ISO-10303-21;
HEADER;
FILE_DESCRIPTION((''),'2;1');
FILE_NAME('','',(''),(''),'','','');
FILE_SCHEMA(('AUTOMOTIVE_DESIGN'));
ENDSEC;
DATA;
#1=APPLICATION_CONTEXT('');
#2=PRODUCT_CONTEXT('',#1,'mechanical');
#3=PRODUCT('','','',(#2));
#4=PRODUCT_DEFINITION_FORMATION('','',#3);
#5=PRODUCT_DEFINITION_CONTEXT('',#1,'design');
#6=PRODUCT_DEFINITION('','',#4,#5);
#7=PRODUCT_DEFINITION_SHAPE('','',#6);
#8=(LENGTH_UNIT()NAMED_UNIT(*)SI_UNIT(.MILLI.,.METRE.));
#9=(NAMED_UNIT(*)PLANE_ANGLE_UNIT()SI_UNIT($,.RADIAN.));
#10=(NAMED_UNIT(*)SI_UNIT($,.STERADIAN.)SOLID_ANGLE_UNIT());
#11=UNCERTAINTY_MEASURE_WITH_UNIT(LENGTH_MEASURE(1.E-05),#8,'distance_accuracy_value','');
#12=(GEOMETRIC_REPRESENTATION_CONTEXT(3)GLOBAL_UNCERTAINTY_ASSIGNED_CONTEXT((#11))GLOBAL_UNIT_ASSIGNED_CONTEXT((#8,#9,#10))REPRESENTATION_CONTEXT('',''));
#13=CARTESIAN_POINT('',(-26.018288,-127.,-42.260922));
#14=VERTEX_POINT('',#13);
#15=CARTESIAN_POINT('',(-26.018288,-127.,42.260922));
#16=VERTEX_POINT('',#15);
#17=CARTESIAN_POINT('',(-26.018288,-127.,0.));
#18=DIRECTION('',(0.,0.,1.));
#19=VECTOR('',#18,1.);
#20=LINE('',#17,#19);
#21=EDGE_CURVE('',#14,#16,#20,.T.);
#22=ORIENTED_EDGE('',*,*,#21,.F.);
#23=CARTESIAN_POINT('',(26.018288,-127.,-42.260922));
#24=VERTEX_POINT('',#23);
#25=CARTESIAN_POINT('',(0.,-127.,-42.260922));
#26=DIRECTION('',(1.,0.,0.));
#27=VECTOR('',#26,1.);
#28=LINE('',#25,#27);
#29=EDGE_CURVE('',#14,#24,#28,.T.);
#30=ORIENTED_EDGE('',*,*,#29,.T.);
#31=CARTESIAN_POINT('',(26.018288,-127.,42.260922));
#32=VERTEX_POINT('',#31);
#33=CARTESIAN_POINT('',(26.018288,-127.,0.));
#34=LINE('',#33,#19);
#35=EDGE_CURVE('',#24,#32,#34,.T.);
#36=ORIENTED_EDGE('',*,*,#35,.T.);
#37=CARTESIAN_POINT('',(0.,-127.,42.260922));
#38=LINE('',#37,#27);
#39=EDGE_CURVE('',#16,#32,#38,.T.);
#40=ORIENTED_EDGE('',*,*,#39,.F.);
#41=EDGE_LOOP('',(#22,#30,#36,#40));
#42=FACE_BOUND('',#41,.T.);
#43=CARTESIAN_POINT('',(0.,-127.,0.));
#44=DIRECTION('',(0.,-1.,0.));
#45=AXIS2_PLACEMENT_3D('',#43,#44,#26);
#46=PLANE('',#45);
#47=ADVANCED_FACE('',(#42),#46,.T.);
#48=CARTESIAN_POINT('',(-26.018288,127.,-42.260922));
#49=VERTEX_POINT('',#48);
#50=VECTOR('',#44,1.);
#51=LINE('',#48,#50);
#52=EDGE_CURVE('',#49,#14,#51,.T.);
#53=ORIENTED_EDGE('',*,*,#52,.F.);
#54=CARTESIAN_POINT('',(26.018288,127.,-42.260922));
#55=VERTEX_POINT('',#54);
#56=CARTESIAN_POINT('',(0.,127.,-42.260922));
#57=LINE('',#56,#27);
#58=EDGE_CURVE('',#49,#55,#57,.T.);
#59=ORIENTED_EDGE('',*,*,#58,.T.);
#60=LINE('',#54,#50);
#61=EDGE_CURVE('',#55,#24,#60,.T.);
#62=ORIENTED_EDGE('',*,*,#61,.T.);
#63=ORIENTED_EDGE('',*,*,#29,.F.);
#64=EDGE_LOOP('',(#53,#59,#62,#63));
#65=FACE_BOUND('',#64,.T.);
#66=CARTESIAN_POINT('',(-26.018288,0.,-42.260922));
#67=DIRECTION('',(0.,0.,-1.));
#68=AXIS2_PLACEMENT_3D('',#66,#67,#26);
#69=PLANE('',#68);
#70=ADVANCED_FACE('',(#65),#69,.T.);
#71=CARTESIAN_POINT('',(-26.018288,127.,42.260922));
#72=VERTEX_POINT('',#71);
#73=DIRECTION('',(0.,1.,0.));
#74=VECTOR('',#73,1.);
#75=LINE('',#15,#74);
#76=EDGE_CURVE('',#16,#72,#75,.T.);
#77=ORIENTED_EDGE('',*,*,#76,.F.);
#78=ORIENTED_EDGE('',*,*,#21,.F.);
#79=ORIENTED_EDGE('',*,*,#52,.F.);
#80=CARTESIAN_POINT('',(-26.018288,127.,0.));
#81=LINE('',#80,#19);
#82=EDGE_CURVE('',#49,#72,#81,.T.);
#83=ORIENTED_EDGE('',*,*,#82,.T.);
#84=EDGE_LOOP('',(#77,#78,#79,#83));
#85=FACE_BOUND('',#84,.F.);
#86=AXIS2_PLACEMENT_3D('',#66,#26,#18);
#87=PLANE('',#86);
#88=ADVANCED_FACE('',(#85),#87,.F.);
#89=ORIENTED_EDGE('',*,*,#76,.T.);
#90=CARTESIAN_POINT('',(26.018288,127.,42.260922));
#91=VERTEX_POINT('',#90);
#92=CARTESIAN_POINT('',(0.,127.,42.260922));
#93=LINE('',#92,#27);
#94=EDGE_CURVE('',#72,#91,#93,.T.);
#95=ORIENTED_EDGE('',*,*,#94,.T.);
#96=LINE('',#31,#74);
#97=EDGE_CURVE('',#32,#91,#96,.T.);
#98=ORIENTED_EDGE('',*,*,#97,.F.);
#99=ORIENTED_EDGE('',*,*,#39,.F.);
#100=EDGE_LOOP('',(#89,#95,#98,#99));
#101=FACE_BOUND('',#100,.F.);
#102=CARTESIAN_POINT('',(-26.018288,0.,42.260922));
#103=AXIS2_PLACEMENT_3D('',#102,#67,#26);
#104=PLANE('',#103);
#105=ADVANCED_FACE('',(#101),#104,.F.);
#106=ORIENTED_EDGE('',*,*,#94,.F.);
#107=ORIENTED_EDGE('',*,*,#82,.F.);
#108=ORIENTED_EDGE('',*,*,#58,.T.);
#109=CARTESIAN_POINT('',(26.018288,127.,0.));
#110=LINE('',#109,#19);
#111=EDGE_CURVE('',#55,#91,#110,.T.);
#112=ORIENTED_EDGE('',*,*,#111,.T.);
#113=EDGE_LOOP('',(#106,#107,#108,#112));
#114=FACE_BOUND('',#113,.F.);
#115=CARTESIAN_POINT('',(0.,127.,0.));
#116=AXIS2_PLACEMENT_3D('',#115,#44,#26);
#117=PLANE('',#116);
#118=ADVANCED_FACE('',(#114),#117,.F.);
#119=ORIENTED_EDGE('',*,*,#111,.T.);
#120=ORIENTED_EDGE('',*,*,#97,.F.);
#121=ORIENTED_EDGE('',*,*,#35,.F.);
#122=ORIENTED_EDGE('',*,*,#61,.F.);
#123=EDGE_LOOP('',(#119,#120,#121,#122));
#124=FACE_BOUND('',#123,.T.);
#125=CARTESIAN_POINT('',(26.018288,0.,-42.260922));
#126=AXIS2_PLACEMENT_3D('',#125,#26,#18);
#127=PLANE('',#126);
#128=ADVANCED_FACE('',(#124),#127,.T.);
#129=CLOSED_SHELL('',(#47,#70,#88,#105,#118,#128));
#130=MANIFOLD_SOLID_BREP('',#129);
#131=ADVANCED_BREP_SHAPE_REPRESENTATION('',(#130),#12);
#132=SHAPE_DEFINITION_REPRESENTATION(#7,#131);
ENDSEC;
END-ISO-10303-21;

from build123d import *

# Parameters (mm, degrees)
F1_W     = 52.036576
F1_H     = 84.521844
F2_DEPTH = 127


with BuildPart() as f2:
    # F1 (on face) → F2 (new body, symmetric)
    with BuildSketch(Plane.XZ):
        Rectangle(F1_W, F1_H)
    extrude(amount=F2_DEPTH, both=True)


solid = f2.part
